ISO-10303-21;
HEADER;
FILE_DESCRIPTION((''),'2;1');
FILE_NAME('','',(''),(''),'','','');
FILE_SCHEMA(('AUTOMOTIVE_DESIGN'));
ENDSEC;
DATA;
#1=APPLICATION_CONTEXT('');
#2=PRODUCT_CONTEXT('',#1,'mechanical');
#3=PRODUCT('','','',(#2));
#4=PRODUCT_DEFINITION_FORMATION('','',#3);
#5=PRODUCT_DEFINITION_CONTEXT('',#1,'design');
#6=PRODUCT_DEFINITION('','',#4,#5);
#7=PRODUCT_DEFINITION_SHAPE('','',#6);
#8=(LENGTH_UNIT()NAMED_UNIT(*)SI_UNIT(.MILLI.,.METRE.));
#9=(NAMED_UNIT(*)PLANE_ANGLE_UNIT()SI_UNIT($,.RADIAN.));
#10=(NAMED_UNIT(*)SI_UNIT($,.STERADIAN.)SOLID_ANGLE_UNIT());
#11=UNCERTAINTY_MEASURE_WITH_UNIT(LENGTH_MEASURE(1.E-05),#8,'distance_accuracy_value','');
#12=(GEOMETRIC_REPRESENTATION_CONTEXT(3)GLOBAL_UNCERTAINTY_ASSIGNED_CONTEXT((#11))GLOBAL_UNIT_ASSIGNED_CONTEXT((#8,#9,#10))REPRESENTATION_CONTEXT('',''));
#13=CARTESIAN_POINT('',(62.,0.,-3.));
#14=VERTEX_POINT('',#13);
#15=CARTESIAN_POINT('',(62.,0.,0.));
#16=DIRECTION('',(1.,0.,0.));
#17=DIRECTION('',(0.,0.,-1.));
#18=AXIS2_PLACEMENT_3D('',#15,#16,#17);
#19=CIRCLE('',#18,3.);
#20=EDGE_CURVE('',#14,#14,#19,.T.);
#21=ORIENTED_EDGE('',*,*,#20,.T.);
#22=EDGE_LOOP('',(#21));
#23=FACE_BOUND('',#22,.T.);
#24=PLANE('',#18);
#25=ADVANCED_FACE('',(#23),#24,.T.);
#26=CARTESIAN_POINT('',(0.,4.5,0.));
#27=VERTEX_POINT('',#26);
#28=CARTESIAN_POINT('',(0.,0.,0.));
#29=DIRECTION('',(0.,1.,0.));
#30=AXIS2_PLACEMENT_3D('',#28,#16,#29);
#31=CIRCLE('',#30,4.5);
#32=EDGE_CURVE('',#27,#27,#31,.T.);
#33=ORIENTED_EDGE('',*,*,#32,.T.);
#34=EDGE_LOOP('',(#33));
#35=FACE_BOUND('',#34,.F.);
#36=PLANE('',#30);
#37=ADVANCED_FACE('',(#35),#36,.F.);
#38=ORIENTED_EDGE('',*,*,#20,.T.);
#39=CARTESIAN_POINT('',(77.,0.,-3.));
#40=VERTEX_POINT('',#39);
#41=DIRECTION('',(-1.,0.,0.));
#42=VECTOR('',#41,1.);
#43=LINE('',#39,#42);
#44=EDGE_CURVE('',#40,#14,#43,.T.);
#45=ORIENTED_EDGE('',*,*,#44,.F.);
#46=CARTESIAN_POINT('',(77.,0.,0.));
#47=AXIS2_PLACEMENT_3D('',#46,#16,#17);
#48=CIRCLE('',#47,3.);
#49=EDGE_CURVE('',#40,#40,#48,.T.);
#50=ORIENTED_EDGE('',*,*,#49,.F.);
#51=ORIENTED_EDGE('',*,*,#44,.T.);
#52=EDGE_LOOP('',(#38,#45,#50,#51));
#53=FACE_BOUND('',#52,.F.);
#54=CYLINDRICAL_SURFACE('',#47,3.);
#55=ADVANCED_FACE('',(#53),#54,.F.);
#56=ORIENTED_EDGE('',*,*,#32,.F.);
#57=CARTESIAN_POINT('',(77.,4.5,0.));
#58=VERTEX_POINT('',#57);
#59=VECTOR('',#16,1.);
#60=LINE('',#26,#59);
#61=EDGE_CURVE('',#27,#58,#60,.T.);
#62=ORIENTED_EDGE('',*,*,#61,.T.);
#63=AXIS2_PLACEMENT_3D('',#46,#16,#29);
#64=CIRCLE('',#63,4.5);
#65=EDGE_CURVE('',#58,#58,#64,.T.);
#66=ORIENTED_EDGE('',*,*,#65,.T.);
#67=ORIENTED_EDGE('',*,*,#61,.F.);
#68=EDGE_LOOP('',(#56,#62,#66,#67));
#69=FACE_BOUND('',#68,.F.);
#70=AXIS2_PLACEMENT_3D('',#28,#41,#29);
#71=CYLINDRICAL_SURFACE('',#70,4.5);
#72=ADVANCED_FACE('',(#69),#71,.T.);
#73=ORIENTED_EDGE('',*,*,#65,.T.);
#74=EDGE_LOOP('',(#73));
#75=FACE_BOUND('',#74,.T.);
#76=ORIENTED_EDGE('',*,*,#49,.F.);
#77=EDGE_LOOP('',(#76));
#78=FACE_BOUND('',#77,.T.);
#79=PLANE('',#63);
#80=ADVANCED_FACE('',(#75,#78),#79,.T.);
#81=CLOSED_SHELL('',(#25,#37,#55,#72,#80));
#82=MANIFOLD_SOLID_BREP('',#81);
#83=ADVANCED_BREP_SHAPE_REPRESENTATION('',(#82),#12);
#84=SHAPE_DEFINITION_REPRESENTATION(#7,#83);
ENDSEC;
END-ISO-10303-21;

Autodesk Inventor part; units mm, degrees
ref_plane "YZ Plane" through (0, 0, 0) normal (1, 0, 0) x (0, 1, 0)
ref_plane "XZ Plane" through (0, 0, 0) normal (0, 1, 0) x (-1, 0, 0)
ref_plane "XY Plane" through (0, 0, 0) normal (0, 0, 1) x (1, 0, 0)
sketch "Sketch1" plane through (0, 0, 0) normal (1, 0, 0) x (0, 1, 0)
  circle A0 centre (0, 0) radius 4.5
  dimension "d0" = 9
extrude "Extrusion1" add sketch "Sketch1" along normal blind 77
sketch "Sketch2" plane through (77, 0, 0) normal (1, 0, 0) x (0, 0, -1)
  circle A0 centre (0, 0) radius 4.5 projected
  circle A1 centre (0, 0) radius 3
  dimension "d3" = 6
extrude "Extrusion2" cut sketch "Sketch2" against normal blind 15 contours A1
properties part number "Rod2"
